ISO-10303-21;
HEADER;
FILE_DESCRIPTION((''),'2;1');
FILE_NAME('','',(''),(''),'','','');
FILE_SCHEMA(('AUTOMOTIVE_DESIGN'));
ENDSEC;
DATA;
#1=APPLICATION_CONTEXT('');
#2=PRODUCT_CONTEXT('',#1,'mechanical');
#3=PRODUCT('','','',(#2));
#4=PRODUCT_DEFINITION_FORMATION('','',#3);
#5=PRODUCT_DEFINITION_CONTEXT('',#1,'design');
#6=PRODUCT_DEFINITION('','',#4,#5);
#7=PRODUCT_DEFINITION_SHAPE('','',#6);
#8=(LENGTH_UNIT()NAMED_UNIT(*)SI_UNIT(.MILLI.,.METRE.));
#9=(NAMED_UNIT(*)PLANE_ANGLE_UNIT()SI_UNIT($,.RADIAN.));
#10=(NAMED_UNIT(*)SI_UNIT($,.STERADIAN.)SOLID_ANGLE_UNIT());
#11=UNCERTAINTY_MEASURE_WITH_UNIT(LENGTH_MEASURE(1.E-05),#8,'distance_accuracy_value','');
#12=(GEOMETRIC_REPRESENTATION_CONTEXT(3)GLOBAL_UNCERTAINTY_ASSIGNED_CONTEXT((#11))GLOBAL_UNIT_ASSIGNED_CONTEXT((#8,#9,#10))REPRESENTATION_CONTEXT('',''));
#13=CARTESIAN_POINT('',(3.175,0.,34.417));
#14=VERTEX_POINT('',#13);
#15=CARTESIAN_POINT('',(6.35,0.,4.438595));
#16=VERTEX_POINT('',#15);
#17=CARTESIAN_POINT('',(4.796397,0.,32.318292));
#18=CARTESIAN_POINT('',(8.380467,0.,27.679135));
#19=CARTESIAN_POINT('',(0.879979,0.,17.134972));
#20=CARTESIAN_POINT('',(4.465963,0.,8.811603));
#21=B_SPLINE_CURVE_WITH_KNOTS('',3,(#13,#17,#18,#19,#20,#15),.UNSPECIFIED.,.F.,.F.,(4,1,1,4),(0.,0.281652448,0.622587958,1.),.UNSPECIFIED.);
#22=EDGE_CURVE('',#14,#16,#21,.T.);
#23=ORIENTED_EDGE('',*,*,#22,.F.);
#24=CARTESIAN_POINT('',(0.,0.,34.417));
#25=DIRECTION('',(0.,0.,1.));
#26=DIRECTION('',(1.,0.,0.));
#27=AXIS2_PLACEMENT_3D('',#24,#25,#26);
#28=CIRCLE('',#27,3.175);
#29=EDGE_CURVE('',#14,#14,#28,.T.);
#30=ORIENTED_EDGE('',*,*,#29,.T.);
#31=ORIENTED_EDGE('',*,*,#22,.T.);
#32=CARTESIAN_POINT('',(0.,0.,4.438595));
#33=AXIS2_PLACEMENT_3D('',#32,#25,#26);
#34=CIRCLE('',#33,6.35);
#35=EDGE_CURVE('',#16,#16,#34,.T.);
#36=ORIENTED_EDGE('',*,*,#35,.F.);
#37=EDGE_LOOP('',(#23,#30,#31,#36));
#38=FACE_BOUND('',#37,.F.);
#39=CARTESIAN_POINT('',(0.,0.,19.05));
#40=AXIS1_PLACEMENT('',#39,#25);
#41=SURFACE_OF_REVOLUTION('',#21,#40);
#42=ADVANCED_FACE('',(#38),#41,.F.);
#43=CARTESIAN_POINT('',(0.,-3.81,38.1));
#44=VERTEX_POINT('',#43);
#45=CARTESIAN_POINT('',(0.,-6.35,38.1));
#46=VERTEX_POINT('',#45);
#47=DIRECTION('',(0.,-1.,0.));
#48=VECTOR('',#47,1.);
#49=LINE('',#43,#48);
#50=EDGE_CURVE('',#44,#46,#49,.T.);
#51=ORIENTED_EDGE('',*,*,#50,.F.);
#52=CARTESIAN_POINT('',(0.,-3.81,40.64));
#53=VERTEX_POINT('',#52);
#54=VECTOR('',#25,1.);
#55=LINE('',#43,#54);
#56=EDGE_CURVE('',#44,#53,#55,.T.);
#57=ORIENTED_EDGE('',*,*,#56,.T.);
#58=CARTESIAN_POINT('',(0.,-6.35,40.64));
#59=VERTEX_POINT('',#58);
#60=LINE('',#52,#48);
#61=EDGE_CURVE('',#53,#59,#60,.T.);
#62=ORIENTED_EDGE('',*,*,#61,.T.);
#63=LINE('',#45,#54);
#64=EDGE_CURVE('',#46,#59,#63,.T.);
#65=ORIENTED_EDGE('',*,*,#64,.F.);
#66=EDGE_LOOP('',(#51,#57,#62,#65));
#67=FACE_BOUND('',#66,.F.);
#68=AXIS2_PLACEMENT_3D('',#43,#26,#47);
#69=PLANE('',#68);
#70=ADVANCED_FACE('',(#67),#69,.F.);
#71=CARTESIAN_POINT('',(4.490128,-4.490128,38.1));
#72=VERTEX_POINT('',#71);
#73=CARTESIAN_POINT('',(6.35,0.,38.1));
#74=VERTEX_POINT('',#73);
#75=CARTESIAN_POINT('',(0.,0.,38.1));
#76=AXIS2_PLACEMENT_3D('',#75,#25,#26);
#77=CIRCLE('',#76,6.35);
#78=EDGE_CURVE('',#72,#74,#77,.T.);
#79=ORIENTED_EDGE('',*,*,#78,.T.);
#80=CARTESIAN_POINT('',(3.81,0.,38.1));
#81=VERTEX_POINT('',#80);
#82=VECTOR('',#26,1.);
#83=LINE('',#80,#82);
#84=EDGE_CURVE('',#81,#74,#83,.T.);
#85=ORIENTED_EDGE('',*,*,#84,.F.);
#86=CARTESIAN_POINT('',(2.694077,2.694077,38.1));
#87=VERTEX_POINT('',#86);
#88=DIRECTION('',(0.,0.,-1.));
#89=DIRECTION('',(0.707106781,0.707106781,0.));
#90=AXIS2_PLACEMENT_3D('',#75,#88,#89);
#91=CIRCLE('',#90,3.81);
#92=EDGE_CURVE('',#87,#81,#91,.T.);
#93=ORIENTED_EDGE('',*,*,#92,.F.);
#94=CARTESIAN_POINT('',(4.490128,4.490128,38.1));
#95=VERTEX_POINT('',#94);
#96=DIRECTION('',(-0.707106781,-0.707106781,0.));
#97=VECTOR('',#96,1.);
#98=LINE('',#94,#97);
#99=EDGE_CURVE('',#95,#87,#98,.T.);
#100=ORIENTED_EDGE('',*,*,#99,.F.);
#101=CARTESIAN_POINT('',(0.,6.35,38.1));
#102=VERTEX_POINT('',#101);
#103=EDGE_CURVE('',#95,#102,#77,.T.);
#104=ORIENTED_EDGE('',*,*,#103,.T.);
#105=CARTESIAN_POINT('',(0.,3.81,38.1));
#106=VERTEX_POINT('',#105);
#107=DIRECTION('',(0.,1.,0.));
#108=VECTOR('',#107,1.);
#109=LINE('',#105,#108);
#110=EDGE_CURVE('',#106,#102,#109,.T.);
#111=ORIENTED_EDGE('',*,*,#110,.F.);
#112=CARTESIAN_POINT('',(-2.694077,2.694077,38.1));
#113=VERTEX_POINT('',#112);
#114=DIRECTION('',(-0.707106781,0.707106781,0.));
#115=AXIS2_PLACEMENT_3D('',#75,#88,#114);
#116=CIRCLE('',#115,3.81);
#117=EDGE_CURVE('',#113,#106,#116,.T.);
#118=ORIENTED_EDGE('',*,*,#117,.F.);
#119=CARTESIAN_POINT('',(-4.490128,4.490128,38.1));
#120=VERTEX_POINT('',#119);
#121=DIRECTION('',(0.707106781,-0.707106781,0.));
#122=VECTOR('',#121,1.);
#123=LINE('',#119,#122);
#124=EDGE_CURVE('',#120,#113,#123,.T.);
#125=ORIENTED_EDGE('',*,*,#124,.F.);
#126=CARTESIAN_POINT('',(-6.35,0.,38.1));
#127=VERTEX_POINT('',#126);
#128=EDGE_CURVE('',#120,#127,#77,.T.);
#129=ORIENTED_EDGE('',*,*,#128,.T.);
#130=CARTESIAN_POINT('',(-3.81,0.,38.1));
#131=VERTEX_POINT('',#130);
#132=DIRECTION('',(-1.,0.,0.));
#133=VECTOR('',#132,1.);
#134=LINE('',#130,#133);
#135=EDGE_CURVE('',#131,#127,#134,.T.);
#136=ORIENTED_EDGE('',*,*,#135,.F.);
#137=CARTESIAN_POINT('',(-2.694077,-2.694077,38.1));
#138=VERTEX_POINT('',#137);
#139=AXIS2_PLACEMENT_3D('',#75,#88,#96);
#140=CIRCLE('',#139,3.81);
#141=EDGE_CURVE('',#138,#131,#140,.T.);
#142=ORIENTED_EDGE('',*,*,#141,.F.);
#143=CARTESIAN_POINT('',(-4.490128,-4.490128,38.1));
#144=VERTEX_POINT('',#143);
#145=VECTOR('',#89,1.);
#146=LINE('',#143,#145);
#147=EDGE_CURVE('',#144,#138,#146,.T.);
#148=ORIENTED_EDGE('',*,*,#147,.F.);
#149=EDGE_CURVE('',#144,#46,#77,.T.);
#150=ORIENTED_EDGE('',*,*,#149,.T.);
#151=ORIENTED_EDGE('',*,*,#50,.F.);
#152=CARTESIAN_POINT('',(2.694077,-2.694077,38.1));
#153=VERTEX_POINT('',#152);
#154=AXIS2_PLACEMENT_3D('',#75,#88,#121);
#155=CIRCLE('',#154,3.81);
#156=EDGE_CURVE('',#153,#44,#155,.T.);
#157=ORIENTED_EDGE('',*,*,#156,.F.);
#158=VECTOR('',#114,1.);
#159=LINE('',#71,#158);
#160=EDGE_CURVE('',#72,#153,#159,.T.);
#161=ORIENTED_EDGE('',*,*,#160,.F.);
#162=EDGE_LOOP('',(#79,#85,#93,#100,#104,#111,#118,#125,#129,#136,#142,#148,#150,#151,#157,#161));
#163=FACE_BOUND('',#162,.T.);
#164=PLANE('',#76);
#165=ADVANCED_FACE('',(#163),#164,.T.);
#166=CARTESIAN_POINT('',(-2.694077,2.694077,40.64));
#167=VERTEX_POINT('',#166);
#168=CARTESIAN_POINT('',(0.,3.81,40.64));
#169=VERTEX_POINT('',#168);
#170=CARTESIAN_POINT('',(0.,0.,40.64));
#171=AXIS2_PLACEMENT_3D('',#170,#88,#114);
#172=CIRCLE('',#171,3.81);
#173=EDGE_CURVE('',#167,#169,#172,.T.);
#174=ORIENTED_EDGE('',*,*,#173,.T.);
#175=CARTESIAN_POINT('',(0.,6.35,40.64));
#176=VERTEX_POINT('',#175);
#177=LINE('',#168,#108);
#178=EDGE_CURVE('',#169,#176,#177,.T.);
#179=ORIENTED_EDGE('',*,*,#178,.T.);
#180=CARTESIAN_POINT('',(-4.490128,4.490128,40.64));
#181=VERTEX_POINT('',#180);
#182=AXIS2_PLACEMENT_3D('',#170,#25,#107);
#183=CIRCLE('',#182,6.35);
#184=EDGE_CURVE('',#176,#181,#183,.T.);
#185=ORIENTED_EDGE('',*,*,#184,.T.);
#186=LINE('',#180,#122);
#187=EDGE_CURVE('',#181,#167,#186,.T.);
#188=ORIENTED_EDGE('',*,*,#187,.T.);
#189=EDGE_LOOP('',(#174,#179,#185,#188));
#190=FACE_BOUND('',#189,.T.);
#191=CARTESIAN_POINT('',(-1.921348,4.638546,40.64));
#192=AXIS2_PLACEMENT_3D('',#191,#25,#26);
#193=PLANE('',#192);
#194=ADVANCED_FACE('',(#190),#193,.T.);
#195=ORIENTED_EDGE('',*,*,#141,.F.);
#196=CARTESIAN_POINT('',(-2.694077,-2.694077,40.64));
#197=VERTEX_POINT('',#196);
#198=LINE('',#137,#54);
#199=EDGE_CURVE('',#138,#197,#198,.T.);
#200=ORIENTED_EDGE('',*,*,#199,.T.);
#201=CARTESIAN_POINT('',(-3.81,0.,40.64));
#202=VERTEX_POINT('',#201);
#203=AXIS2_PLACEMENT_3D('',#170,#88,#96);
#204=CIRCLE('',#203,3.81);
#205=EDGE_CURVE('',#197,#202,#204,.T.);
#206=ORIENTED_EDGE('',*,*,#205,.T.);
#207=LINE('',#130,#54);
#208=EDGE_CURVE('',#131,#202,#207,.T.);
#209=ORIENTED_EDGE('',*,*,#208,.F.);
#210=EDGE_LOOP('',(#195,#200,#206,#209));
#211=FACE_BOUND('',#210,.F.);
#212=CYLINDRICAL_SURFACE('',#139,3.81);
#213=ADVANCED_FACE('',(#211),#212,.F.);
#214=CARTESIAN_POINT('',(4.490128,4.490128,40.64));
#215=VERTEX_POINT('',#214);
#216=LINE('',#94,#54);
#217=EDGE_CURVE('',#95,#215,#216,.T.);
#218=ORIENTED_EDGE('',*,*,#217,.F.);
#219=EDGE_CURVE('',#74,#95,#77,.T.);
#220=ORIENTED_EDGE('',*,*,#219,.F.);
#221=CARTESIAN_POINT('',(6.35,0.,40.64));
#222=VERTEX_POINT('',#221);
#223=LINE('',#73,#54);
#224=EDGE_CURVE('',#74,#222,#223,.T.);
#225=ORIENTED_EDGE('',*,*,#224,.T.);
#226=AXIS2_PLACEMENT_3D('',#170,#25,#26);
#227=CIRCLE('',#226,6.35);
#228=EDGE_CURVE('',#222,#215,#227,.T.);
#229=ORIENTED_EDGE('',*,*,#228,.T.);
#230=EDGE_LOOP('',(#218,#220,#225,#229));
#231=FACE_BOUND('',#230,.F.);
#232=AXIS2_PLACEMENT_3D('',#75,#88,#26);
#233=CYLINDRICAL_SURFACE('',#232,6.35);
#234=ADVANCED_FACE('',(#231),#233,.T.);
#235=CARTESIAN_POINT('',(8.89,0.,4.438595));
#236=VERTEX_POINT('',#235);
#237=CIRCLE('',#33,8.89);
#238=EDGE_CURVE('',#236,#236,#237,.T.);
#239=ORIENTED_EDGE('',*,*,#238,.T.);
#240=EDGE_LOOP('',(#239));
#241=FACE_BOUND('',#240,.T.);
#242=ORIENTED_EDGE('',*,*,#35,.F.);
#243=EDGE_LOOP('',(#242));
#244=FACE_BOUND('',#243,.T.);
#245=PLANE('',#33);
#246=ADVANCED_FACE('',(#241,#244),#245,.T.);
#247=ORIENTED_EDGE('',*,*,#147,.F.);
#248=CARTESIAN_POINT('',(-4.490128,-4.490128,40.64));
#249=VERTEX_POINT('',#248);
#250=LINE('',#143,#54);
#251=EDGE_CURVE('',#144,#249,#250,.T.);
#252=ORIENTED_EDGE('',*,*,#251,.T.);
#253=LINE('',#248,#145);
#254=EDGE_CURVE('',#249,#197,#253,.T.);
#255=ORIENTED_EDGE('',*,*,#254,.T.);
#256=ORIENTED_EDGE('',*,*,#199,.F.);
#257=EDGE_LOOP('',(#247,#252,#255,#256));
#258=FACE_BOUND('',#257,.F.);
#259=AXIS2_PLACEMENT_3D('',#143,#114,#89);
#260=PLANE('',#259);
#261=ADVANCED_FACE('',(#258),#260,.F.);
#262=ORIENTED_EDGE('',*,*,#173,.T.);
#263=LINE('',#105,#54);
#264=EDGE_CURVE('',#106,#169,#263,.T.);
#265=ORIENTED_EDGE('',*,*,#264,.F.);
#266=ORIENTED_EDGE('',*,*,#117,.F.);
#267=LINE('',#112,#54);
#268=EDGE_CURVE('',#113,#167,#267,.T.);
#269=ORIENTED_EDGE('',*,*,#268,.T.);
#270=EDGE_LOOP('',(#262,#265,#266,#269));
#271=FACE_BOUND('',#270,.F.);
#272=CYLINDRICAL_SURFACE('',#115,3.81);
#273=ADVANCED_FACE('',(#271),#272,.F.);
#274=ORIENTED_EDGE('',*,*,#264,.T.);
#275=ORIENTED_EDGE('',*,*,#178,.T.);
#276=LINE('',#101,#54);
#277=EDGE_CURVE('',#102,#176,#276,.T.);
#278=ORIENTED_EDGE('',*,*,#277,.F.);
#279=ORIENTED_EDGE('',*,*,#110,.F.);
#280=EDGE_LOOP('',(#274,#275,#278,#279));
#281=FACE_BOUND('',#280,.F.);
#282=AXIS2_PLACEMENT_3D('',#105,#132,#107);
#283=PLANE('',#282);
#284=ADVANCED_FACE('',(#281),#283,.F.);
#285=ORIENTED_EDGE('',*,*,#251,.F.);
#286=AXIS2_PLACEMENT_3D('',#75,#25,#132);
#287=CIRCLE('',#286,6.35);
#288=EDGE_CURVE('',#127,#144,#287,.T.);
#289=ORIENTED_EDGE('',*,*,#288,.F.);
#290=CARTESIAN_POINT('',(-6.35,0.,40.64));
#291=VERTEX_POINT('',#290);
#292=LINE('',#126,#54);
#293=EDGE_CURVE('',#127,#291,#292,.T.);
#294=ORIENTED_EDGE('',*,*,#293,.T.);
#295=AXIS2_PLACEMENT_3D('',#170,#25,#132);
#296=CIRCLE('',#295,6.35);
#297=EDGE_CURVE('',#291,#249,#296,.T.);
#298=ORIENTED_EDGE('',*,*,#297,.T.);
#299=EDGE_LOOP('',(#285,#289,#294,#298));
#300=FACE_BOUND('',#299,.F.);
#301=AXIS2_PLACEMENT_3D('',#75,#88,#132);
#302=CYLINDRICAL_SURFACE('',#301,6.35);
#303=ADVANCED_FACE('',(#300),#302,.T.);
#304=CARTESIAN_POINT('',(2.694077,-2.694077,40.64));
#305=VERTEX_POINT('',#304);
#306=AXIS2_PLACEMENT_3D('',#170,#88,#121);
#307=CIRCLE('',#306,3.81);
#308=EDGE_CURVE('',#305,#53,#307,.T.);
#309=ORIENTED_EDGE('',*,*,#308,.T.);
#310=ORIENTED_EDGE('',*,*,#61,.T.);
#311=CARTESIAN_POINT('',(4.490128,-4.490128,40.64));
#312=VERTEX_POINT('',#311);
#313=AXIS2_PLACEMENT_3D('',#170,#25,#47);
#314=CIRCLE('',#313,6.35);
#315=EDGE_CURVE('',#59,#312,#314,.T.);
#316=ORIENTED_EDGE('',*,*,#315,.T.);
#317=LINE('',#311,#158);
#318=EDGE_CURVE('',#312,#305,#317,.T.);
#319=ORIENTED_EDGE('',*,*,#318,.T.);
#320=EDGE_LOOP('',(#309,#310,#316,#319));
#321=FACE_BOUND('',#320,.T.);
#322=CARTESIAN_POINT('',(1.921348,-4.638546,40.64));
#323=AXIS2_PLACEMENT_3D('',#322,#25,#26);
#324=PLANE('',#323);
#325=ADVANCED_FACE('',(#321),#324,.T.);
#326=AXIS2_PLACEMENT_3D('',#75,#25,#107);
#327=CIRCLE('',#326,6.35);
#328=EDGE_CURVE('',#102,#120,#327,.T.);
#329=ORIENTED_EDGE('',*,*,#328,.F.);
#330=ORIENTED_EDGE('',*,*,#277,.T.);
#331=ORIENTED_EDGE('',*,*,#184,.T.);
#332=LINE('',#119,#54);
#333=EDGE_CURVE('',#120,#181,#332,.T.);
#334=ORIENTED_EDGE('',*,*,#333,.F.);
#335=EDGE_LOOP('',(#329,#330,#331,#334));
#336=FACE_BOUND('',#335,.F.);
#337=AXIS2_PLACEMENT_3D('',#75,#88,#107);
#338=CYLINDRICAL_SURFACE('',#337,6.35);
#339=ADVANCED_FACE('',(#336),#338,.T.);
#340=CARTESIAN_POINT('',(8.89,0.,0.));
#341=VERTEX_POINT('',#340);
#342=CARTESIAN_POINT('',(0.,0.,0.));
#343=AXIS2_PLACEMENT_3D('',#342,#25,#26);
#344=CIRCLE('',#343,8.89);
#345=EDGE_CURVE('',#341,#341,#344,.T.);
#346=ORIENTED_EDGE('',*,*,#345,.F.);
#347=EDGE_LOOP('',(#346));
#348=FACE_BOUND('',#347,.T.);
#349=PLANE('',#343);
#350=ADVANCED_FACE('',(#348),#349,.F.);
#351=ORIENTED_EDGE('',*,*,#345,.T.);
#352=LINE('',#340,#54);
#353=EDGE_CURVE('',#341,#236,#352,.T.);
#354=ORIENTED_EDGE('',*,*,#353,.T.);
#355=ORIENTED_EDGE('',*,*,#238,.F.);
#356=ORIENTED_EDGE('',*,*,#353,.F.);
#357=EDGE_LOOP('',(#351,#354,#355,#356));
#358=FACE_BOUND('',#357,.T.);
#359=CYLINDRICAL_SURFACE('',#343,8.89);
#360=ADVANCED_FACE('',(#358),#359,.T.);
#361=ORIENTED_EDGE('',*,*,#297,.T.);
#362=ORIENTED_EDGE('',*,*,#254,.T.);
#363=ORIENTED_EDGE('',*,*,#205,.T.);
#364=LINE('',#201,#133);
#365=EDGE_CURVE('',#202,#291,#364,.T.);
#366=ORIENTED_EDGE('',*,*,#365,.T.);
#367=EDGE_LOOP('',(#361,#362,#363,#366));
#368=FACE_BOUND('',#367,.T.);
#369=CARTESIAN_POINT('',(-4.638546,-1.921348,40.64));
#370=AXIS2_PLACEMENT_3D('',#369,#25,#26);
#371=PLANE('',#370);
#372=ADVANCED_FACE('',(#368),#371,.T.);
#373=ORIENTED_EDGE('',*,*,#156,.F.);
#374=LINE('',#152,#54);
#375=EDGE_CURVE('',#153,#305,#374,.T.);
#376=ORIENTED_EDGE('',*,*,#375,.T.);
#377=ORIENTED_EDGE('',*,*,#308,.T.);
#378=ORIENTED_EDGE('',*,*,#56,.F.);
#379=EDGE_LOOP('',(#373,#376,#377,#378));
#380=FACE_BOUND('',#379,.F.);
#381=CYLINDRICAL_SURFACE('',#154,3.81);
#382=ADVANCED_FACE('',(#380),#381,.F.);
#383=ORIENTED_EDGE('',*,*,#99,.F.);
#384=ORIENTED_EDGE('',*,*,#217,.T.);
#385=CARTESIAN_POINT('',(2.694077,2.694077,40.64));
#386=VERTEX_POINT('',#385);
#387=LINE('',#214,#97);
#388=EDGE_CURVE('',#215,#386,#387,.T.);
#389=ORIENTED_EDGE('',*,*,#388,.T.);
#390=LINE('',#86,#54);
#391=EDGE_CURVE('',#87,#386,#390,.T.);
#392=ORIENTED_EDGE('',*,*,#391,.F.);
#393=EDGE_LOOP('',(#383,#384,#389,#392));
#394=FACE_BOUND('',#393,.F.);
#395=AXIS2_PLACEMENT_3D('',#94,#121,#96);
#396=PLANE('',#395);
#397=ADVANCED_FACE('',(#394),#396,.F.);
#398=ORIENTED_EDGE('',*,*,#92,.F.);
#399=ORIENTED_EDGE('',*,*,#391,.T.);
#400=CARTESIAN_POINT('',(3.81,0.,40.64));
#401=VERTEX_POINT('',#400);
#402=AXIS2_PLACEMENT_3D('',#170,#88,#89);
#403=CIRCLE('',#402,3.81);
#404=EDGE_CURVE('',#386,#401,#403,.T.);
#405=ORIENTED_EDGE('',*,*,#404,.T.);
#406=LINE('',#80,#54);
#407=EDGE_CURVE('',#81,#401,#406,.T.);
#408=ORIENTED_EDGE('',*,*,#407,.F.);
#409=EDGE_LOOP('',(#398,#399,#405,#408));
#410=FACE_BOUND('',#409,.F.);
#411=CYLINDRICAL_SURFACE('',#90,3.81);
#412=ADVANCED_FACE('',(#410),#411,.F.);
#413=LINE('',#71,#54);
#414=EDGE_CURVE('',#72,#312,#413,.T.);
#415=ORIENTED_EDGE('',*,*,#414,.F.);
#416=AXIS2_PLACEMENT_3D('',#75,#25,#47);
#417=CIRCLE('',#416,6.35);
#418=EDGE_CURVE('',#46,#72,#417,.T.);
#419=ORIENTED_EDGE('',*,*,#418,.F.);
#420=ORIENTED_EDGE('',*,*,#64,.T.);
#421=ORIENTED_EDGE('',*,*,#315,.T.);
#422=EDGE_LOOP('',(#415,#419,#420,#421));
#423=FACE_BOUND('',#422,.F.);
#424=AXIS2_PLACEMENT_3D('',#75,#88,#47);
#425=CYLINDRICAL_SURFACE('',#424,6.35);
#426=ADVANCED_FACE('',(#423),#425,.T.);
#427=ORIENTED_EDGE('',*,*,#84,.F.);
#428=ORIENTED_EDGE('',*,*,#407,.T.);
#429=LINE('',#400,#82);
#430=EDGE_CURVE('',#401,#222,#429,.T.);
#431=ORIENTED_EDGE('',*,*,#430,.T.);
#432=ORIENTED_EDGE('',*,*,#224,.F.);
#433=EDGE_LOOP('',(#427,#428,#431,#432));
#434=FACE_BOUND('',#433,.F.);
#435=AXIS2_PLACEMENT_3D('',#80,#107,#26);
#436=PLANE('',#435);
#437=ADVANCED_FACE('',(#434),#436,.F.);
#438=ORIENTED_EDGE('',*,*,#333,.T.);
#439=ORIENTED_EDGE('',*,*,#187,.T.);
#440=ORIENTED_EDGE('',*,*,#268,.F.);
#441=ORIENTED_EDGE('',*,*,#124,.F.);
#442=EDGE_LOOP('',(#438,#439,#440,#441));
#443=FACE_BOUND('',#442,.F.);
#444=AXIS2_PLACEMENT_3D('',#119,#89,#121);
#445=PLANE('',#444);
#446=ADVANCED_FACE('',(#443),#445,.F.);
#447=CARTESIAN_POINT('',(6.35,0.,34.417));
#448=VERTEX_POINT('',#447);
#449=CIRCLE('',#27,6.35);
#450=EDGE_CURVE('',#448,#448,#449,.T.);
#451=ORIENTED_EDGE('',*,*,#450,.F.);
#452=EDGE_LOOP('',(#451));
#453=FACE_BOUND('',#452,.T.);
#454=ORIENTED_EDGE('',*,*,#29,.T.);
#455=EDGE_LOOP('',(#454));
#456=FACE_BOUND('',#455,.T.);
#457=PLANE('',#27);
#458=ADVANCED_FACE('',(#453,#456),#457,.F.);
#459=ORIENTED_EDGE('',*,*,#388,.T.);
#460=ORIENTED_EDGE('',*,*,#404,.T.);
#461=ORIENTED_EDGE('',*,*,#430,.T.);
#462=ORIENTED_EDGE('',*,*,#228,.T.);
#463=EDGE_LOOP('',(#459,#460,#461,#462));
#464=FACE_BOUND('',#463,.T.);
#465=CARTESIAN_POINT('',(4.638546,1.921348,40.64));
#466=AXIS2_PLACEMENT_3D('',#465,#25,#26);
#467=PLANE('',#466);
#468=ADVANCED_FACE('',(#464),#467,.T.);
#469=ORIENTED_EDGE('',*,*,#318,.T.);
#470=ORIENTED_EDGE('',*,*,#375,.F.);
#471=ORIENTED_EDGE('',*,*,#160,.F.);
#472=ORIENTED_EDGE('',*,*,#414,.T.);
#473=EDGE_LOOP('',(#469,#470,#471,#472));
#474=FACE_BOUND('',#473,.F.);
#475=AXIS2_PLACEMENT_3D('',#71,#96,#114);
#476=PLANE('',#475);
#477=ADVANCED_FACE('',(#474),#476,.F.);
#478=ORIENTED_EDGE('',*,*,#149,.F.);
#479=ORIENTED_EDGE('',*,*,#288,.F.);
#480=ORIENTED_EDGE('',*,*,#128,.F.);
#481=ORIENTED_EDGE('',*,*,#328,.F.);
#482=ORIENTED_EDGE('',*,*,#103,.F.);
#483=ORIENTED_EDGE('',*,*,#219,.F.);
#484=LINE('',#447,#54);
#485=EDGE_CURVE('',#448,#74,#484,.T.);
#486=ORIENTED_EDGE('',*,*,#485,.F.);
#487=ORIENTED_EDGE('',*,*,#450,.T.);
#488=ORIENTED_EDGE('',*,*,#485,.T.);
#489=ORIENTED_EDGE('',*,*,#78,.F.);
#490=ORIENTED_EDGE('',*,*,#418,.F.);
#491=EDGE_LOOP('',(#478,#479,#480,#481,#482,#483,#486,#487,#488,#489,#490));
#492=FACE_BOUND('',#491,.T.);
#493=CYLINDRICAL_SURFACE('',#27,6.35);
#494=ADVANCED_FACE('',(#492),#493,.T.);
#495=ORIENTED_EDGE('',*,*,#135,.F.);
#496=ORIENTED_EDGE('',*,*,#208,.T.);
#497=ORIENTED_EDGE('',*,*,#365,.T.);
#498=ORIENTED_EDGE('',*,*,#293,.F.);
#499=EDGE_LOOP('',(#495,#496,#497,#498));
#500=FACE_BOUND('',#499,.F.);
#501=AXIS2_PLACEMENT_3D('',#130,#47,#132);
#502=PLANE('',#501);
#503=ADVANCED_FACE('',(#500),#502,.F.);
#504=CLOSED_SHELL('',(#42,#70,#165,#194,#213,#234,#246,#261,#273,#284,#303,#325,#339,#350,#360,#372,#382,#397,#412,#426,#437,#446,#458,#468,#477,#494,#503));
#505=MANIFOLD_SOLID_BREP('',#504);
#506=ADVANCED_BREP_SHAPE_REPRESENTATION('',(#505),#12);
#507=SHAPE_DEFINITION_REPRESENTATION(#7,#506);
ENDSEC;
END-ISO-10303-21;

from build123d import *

# Parameters (mm, degrees)
F3_DEPTH = 2.54


with BuildPart() as f1:
    # F0 (on Front) → F1 (revolve)
    with BuildSketch(Plane.XZ):
        with BuildLine():
            Line((0, 34.417), (0, 0))
            Line((0, 0), (6.35, 0))
            Line((6.35, 0), (8.89, 0))
            Line((8.89, 0), (8.89, 4.438594915))
            Line((8.89, 4.438594915), (6.35, 4.438594915))
            add(Edge.make_bspline(
                [(3.175, 34.417), (4.7963969544, 32.3182923304), (8.3804674153, 27.6791346309), (0.879979464, 17.1349718971), (4.4659629978, 8.8116029998), (6.35, 4.438594915)],
                knots=[0, 0, 0, 0, 0.2816524479, 0.6225879579, 1, 1, 1, 1], degree=3))
            Line((3.175, 34.417), (6.35, 34.417))
            Line((6.35, 34.417), (6.35, 38.1))
            Line((6.35, 38.1), (0, 38.1))
            Line((0, 38.1), (0, 34.417))
        make_face()
    revolve(axis=Axis((0, 0, 19.05), (0, 0, 1)))

    # F2 (on face) → F3 (join)
    with BuildSketch(Plane.XY.offset(38.1)):
        with BuildLine():
            Line((0, 3.81), (0, 6.35))
            ThreePointArc((0, 6.35), (-2.4300397955, 5.8666350314), (-4.4901280605, 4.4901280605))
            Line((-4.4901280605, 4.4901280605), (-2.6940768363, 2.6940768363))
            ThreePointArc((-2.6940768363, 2.6940768363), (-1.4580238773, 3.5199810189), (0, 3.81))
        make_face()
        with BuildLine():
            Line((3.81, 0), (6.35, 0))
            ThreePointArc((6.35, 0), (5.8666350314, 2.4300397955), (4.4901280605, 4.4901280605))
            Line((4.4901280605, 4.4901280605), (2.6940768363, 2.6940768363))
            ThreePointArc((2.6940768363, 2.6940768363), (3.5199810189, 1.4580238773), (3.81, 0))
        make_face()
        with BuildLine():
            ThreePointArc((2.6940768363, -2.6940768363), (1.4580238773, -3.5199810189), (0, -3.81))
            Line((0, -3.81), (0, -6.35))
            ThreePointArc((0, -6.35), (2.4300397955, -5.8666350314), (4.4901280605, -4.4901280605))
            Line((4.4901280605, -4.4901280605), (2.6940768363, -2.6940768363))
        make_face()
        with BuildLine():
            ThreePointArc((-2.6940768363, -2.6940768363), (-3.5199810189, -1.4580238773), (-3.81, 0))
            Line((-3.81, 0), (-6.35, 0))
            ThreePointArc((-6.35, 0), (-5.8666350314, -2.4300397955), (-4.4901280605, -4.4901280605))
            Line((-4.4901280605, -4.4901280605), (-2.6940768363, -2.6940768363))
        make_face()
    extrude(amount=F3_DEPTH)


solid = f1.part
